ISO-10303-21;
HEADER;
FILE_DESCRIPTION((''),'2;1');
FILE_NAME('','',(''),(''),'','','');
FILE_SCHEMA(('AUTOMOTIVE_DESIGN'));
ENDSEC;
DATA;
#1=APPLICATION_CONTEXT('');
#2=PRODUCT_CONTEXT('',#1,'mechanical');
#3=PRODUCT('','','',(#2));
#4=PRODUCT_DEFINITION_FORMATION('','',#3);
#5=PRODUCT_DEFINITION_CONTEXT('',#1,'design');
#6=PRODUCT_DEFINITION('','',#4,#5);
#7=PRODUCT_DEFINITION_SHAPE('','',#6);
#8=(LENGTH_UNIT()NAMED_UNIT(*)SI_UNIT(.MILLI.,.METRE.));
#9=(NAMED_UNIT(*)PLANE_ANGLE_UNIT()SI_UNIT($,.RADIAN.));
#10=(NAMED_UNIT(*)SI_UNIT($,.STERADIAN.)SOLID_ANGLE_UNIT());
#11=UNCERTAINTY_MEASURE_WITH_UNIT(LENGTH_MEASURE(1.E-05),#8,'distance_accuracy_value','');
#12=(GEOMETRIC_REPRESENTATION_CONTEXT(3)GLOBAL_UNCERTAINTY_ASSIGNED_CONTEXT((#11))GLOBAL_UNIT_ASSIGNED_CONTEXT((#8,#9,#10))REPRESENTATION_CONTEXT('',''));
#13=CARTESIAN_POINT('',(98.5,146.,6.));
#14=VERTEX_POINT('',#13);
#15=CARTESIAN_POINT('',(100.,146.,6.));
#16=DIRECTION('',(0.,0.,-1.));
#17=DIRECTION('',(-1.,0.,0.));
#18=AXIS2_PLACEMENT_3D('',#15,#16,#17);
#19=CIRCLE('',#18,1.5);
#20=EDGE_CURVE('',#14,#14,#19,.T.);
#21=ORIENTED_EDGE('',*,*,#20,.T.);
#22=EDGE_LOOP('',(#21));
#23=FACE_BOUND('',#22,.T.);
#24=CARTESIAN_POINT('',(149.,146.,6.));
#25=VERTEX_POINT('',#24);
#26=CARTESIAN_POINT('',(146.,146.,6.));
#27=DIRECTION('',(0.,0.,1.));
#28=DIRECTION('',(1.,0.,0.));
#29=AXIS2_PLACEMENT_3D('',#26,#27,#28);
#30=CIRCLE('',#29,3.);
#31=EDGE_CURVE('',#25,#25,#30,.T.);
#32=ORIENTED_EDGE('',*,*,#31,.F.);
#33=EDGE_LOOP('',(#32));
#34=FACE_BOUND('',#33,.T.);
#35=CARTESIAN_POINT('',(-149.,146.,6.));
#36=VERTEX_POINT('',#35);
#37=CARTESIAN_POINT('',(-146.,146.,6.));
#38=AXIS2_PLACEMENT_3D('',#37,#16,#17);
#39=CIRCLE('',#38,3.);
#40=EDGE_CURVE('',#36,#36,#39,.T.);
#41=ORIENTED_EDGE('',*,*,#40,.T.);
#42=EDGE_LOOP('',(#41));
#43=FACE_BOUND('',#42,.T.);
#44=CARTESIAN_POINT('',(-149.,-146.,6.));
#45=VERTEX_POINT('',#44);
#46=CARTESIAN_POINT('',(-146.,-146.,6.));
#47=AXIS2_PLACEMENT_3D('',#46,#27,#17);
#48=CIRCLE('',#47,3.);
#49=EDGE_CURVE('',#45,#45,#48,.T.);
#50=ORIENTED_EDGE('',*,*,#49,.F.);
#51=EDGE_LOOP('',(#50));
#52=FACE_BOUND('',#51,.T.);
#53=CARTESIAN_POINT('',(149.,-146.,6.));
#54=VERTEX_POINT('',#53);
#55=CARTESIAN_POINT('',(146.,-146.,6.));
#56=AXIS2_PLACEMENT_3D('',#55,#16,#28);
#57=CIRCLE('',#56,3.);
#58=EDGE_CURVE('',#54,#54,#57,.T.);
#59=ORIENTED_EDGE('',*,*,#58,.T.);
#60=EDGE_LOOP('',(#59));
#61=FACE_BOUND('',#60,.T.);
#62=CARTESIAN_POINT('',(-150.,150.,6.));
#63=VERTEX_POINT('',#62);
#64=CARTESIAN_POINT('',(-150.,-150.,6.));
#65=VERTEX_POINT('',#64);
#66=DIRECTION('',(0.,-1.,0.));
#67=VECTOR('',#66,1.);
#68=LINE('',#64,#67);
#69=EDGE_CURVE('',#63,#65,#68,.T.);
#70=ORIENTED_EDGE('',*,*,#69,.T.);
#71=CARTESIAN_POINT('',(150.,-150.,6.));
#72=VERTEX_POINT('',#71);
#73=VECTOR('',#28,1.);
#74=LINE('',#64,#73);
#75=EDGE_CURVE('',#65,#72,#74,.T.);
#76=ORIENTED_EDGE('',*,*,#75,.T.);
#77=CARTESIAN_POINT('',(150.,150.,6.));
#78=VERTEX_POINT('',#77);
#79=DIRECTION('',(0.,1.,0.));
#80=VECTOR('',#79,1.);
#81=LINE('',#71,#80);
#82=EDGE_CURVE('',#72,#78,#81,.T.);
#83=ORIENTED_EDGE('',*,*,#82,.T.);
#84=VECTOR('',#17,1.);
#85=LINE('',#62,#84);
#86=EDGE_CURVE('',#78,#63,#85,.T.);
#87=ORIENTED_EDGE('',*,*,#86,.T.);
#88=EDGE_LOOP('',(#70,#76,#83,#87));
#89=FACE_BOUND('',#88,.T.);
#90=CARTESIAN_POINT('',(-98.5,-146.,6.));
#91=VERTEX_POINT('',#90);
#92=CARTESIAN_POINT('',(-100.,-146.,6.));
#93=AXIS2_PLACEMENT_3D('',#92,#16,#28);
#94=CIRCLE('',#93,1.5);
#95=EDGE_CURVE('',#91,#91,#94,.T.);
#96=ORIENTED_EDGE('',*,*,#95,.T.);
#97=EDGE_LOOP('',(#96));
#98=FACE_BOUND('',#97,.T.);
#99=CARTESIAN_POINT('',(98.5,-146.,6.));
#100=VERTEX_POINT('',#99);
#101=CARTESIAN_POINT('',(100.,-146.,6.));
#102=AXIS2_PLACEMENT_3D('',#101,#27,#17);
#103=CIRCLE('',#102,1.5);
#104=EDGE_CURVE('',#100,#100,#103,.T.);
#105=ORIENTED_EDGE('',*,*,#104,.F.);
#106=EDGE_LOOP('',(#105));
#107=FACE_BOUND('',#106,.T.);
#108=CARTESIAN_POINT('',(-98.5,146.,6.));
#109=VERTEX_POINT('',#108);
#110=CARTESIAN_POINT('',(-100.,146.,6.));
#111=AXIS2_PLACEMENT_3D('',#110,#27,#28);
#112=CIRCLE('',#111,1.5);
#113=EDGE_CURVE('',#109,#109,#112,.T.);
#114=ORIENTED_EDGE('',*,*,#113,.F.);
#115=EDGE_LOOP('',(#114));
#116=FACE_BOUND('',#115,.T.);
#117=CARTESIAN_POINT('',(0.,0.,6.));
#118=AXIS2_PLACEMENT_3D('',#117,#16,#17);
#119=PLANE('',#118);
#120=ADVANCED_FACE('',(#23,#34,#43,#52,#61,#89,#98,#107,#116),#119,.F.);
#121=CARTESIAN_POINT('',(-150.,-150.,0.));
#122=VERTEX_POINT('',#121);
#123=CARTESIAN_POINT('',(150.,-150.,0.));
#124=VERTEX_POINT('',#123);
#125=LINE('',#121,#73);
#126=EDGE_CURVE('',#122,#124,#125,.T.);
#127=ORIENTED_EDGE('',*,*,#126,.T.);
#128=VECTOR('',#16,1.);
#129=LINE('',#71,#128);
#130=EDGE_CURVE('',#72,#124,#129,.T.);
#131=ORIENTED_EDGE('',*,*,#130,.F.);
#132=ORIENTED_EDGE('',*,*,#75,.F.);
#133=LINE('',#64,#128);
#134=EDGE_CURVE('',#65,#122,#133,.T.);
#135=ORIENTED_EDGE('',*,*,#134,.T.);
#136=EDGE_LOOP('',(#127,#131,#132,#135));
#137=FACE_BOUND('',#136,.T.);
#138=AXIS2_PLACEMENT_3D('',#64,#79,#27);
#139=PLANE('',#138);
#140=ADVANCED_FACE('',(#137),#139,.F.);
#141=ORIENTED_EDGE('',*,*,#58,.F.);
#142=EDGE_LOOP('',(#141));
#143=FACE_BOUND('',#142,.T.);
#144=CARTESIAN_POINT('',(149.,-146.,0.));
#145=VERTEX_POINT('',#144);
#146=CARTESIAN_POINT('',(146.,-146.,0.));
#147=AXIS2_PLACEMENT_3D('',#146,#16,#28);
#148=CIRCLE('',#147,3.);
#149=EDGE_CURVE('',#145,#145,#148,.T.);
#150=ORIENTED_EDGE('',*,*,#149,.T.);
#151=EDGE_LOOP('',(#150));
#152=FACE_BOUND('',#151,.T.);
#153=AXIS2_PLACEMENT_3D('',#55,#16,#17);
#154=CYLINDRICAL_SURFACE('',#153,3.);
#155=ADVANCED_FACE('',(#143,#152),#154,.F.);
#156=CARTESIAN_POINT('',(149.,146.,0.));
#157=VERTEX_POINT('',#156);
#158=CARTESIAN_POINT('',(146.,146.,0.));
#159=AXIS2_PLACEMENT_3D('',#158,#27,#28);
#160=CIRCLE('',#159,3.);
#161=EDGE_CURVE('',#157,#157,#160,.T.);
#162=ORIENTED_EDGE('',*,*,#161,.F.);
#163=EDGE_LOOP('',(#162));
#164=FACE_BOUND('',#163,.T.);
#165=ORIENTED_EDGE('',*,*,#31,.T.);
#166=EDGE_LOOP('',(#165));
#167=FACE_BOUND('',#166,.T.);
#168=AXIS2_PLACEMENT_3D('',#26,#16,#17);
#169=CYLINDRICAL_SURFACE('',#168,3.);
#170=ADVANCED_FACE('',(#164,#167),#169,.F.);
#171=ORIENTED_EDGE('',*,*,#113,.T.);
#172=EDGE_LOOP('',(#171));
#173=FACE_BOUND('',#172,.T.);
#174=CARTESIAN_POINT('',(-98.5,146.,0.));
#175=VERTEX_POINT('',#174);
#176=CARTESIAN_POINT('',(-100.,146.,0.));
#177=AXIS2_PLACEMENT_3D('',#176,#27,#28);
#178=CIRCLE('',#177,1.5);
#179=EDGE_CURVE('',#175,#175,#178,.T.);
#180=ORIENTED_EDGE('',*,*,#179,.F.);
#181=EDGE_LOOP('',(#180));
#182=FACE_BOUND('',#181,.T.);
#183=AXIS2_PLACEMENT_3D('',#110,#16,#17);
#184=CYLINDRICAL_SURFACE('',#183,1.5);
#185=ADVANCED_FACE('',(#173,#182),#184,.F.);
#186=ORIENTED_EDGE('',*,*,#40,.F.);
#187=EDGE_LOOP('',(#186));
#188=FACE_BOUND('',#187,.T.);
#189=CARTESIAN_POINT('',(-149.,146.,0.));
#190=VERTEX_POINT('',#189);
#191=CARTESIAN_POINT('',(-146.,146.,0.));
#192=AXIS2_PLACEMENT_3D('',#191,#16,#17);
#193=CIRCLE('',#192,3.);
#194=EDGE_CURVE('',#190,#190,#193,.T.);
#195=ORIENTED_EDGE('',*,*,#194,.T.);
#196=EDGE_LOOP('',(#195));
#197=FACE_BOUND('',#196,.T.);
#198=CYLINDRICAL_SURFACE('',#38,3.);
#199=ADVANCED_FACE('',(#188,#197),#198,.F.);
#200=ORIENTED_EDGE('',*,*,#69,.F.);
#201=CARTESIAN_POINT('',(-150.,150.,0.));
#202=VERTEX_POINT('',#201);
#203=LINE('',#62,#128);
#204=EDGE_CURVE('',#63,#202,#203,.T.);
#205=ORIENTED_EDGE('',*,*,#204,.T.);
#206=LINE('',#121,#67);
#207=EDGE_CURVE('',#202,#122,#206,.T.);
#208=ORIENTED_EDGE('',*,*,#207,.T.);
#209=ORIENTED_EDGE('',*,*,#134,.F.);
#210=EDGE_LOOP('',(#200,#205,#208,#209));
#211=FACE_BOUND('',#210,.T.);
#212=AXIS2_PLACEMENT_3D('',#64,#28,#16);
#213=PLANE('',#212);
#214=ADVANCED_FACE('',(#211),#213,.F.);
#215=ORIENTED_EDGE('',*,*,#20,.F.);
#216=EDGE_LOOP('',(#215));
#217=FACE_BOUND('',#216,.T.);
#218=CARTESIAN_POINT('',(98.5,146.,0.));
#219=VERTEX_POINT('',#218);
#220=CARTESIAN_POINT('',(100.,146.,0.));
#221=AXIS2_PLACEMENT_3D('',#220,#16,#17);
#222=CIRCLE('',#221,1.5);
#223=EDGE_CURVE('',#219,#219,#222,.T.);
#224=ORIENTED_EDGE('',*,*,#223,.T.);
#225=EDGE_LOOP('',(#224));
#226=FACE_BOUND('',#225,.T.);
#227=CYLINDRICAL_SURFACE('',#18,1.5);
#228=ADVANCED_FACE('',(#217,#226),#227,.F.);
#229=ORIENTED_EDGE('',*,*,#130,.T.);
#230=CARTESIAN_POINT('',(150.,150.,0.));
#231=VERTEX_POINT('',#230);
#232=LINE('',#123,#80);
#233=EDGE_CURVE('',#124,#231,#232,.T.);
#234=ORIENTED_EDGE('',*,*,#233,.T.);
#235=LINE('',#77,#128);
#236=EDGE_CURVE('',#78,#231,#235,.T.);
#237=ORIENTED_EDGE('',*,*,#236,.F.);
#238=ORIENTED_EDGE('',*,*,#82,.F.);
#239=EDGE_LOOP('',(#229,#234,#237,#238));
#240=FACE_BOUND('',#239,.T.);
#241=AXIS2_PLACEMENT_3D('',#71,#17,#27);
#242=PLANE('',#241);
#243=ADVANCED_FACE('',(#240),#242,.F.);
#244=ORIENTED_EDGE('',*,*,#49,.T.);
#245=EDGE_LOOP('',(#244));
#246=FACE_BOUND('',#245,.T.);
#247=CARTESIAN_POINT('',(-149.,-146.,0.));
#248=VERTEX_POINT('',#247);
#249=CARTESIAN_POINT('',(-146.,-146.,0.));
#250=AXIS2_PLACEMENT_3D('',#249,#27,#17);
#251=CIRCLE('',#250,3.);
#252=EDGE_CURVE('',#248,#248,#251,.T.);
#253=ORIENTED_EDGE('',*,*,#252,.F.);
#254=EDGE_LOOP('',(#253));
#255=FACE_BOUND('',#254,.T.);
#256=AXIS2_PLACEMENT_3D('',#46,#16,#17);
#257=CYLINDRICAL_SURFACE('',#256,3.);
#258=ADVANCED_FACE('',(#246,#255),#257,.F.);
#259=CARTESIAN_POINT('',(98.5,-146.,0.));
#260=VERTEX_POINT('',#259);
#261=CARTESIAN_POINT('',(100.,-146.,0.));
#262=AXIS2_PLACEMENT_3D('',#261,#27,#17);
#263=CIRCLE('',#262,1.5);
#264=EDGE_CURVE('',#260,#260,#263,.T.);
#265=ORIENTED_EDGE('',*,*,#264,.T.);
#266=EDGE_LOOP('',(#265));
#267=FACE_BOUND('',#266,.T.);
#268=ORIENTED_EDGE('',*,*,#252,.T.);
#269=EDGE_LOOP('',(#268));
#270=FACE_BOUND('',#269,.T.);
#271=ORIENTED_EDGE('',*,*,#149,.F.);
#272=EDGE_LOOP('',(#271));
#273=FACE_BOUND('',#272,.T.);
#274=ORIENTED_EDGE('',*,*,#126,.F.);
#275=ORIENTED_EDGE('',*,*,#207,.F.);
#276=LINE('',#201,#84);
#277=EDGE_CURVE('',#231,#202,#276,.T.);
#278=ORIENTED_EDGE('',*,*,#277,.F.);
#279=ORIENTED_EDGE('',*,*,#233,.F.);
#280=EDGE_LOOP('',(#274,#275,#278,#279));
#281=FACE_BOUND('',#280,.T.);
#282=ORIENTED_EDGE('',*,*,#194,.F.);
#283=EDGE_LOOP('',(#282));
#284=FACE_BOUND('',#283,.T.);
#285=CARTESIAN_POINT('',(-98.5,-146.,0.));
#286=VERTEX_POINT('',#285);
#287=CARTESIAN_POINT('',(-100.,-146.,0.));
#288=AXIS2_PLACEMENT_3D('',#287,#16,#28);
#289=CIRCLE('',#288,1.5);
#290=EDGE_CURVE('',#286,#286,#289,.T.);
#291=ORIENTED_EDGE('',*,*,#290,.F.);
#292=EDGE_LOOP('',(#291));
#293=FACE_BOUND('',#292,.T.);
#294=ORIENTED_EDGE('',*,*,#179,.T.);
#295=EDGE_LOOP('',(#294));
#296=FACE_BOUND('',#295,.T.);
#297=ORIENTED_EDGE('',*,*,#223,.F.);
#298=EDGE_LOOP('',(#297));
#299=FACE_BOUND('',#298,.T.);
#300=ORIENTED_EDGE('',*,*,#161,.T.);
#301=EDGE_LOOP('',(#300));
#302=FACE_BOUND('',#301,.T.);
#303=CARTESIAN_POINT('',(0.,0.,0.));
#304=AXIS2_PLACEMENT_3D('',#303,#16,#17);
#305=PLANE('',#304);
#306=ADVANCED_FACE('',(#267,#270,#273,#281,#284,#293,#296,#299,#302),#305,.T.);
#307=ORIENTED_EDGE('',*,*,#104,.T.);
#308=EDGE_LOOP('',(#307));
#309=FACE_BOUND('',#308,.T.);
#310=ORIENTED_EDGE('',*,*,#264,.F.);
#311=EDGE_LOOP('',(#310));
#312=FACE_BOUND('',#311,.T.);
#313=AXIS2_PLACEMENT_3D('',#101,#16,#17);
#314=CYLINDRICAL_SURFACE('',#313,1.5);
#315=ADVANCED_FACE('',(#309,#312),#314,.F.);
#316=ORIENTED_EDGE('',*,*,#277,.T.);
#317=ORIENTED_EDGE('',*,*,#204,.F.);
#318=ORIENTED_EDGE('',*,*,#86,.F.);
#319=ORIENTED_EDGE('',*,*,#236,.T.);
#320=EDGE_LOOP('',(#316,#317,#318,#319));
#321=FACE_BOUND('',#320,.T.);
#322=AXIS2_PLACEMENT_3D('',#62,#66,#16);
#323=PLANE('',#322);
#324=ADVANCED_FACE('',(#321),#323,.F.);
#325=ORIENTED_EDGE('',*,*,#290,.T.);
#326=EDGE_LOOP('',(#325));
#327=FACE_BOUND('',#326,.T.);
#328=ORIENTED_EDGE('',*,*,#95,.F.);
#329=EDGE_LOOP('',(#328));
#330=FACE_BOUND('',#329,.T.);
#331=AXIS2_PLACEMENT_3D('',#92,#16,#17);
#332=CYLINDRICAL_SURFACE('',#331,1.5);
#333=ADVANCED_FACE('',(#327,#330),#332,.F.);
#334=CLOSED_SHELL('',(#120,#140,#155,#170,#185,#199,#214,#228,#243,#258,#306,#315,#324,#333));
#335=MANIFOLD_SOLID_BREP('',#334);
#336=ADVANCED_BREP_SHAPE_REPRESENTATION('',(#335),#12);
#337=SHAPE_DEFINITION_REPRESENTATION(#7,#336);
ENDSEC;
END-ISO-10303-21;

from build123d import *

# Parameters (mm, degrees)
SKETCH2_W               = 300
SKETCH2_H               = 300
BOSS_EXTRUDE1_DEPTH     = 6
SKETCH3_R               = 3
CUT_EXTRUDE1_DEPTH      = 213.216870206
SKETCH5_R               = 1.5
CUT_EXTRUDE2_DEPTH      = 213.216870206
MIRROR4_COPY_1_SKETCH_R = 3
MIRROR4_COPY_1_DEPTH    = 213.216870206
MIRROR4_COPY_2_SKETCH_R = 1.5
MIRROR4_COPY_2_DEPTH    = 213.216870206


with BuildPart() as part:
    # Sketch2 → Boss-Extrude1 (new body)
    with BuildSketch(Plane.XY):
        Rectangle(SKETCH2_W, SKETCH2_H)
    extrude(amount=BOSS_EXTRUDE1_DEPTH)

    # Sketch3 → Cut-Extrude1 (cut, through all)
    with BuildSketch(Plane(origin=(0, 0, 0), x_dir=(-1, 0, 0), z_dir=(0, 0, -1))):
        with Locations((146, 146)):
            Circle(SKETCH3_R)
    cut_extrude1 = extrude(amount=-CUT_EXTRUDE1_DEPTH, mode=Mode.SUBTRACT)

    # Sketch5 → Cut-Extrude2 (cut, through all)
    with BuildSketch(Plane.XY):
        with Locations((-100, 146)):
            Circle(SKETCH5_R)
    cut_extrude2 = extrude(amount=CUT_EXTRUDE2_DEPTH, mode=Mode.SUBTRACT)

    # Mirror3: Cut-Extrude1, Cut-Extrude2 across plane
    add(cut_extrude1.mirror(Plane(origin=(0, 0, 0), x_dir=(0, 0, 1), z_dir=(1, 0, 0))), mode=Mode.SUBTRACT)
    add(cut_extrude2.mirror(Plane(origin=(0, 0, 0), x_dir=(0, 0, 1), z_dir=(1, 0, 0))), mode=Mode.SUBTRACT)

    # Mirror4: Cut-Extrude1, Cut-Extrude2 across plane
    add(cut_extrude1.mirror(Plane.ZX), mode=Mode.SUBTRACT)
    add(cut_extrude2.mirror(Plane.ZX), mode=Mode.SUBTRACT)

    # Mirror4 copy 1 sketch → Mirror4 copy 1 (cut, through all)
    with BuildSketch(Plane(origin=(0, 0, 0), x_dir=(1, 0, 0), z_dir=(0, 0, -1))):
        with Locations((146, 146)):
            Circle(MIRROR4_COPY_1_SKETCH_R)
    extrude(amount=-MIRROR4_COPY_1_DEPTH, mode=Mode.SUBTRACT)

    # Mirror4 copy 2 sketch → Mirror4 copy 2 (cut, through all)
    with BuildSketch(Plane(origin=(0, 0, 0), x_dir=(-1, 0, 0), z_dir=(0, 0, 1))):
        with Locations((-100, 146)):
            Circle(MIRROR4_COPY_2_SKETCH_R)
    extrude(amount=MIRROR4_COPY_2_DEPTH, mode=Mode.SUBTRACT)


solid = part.part
